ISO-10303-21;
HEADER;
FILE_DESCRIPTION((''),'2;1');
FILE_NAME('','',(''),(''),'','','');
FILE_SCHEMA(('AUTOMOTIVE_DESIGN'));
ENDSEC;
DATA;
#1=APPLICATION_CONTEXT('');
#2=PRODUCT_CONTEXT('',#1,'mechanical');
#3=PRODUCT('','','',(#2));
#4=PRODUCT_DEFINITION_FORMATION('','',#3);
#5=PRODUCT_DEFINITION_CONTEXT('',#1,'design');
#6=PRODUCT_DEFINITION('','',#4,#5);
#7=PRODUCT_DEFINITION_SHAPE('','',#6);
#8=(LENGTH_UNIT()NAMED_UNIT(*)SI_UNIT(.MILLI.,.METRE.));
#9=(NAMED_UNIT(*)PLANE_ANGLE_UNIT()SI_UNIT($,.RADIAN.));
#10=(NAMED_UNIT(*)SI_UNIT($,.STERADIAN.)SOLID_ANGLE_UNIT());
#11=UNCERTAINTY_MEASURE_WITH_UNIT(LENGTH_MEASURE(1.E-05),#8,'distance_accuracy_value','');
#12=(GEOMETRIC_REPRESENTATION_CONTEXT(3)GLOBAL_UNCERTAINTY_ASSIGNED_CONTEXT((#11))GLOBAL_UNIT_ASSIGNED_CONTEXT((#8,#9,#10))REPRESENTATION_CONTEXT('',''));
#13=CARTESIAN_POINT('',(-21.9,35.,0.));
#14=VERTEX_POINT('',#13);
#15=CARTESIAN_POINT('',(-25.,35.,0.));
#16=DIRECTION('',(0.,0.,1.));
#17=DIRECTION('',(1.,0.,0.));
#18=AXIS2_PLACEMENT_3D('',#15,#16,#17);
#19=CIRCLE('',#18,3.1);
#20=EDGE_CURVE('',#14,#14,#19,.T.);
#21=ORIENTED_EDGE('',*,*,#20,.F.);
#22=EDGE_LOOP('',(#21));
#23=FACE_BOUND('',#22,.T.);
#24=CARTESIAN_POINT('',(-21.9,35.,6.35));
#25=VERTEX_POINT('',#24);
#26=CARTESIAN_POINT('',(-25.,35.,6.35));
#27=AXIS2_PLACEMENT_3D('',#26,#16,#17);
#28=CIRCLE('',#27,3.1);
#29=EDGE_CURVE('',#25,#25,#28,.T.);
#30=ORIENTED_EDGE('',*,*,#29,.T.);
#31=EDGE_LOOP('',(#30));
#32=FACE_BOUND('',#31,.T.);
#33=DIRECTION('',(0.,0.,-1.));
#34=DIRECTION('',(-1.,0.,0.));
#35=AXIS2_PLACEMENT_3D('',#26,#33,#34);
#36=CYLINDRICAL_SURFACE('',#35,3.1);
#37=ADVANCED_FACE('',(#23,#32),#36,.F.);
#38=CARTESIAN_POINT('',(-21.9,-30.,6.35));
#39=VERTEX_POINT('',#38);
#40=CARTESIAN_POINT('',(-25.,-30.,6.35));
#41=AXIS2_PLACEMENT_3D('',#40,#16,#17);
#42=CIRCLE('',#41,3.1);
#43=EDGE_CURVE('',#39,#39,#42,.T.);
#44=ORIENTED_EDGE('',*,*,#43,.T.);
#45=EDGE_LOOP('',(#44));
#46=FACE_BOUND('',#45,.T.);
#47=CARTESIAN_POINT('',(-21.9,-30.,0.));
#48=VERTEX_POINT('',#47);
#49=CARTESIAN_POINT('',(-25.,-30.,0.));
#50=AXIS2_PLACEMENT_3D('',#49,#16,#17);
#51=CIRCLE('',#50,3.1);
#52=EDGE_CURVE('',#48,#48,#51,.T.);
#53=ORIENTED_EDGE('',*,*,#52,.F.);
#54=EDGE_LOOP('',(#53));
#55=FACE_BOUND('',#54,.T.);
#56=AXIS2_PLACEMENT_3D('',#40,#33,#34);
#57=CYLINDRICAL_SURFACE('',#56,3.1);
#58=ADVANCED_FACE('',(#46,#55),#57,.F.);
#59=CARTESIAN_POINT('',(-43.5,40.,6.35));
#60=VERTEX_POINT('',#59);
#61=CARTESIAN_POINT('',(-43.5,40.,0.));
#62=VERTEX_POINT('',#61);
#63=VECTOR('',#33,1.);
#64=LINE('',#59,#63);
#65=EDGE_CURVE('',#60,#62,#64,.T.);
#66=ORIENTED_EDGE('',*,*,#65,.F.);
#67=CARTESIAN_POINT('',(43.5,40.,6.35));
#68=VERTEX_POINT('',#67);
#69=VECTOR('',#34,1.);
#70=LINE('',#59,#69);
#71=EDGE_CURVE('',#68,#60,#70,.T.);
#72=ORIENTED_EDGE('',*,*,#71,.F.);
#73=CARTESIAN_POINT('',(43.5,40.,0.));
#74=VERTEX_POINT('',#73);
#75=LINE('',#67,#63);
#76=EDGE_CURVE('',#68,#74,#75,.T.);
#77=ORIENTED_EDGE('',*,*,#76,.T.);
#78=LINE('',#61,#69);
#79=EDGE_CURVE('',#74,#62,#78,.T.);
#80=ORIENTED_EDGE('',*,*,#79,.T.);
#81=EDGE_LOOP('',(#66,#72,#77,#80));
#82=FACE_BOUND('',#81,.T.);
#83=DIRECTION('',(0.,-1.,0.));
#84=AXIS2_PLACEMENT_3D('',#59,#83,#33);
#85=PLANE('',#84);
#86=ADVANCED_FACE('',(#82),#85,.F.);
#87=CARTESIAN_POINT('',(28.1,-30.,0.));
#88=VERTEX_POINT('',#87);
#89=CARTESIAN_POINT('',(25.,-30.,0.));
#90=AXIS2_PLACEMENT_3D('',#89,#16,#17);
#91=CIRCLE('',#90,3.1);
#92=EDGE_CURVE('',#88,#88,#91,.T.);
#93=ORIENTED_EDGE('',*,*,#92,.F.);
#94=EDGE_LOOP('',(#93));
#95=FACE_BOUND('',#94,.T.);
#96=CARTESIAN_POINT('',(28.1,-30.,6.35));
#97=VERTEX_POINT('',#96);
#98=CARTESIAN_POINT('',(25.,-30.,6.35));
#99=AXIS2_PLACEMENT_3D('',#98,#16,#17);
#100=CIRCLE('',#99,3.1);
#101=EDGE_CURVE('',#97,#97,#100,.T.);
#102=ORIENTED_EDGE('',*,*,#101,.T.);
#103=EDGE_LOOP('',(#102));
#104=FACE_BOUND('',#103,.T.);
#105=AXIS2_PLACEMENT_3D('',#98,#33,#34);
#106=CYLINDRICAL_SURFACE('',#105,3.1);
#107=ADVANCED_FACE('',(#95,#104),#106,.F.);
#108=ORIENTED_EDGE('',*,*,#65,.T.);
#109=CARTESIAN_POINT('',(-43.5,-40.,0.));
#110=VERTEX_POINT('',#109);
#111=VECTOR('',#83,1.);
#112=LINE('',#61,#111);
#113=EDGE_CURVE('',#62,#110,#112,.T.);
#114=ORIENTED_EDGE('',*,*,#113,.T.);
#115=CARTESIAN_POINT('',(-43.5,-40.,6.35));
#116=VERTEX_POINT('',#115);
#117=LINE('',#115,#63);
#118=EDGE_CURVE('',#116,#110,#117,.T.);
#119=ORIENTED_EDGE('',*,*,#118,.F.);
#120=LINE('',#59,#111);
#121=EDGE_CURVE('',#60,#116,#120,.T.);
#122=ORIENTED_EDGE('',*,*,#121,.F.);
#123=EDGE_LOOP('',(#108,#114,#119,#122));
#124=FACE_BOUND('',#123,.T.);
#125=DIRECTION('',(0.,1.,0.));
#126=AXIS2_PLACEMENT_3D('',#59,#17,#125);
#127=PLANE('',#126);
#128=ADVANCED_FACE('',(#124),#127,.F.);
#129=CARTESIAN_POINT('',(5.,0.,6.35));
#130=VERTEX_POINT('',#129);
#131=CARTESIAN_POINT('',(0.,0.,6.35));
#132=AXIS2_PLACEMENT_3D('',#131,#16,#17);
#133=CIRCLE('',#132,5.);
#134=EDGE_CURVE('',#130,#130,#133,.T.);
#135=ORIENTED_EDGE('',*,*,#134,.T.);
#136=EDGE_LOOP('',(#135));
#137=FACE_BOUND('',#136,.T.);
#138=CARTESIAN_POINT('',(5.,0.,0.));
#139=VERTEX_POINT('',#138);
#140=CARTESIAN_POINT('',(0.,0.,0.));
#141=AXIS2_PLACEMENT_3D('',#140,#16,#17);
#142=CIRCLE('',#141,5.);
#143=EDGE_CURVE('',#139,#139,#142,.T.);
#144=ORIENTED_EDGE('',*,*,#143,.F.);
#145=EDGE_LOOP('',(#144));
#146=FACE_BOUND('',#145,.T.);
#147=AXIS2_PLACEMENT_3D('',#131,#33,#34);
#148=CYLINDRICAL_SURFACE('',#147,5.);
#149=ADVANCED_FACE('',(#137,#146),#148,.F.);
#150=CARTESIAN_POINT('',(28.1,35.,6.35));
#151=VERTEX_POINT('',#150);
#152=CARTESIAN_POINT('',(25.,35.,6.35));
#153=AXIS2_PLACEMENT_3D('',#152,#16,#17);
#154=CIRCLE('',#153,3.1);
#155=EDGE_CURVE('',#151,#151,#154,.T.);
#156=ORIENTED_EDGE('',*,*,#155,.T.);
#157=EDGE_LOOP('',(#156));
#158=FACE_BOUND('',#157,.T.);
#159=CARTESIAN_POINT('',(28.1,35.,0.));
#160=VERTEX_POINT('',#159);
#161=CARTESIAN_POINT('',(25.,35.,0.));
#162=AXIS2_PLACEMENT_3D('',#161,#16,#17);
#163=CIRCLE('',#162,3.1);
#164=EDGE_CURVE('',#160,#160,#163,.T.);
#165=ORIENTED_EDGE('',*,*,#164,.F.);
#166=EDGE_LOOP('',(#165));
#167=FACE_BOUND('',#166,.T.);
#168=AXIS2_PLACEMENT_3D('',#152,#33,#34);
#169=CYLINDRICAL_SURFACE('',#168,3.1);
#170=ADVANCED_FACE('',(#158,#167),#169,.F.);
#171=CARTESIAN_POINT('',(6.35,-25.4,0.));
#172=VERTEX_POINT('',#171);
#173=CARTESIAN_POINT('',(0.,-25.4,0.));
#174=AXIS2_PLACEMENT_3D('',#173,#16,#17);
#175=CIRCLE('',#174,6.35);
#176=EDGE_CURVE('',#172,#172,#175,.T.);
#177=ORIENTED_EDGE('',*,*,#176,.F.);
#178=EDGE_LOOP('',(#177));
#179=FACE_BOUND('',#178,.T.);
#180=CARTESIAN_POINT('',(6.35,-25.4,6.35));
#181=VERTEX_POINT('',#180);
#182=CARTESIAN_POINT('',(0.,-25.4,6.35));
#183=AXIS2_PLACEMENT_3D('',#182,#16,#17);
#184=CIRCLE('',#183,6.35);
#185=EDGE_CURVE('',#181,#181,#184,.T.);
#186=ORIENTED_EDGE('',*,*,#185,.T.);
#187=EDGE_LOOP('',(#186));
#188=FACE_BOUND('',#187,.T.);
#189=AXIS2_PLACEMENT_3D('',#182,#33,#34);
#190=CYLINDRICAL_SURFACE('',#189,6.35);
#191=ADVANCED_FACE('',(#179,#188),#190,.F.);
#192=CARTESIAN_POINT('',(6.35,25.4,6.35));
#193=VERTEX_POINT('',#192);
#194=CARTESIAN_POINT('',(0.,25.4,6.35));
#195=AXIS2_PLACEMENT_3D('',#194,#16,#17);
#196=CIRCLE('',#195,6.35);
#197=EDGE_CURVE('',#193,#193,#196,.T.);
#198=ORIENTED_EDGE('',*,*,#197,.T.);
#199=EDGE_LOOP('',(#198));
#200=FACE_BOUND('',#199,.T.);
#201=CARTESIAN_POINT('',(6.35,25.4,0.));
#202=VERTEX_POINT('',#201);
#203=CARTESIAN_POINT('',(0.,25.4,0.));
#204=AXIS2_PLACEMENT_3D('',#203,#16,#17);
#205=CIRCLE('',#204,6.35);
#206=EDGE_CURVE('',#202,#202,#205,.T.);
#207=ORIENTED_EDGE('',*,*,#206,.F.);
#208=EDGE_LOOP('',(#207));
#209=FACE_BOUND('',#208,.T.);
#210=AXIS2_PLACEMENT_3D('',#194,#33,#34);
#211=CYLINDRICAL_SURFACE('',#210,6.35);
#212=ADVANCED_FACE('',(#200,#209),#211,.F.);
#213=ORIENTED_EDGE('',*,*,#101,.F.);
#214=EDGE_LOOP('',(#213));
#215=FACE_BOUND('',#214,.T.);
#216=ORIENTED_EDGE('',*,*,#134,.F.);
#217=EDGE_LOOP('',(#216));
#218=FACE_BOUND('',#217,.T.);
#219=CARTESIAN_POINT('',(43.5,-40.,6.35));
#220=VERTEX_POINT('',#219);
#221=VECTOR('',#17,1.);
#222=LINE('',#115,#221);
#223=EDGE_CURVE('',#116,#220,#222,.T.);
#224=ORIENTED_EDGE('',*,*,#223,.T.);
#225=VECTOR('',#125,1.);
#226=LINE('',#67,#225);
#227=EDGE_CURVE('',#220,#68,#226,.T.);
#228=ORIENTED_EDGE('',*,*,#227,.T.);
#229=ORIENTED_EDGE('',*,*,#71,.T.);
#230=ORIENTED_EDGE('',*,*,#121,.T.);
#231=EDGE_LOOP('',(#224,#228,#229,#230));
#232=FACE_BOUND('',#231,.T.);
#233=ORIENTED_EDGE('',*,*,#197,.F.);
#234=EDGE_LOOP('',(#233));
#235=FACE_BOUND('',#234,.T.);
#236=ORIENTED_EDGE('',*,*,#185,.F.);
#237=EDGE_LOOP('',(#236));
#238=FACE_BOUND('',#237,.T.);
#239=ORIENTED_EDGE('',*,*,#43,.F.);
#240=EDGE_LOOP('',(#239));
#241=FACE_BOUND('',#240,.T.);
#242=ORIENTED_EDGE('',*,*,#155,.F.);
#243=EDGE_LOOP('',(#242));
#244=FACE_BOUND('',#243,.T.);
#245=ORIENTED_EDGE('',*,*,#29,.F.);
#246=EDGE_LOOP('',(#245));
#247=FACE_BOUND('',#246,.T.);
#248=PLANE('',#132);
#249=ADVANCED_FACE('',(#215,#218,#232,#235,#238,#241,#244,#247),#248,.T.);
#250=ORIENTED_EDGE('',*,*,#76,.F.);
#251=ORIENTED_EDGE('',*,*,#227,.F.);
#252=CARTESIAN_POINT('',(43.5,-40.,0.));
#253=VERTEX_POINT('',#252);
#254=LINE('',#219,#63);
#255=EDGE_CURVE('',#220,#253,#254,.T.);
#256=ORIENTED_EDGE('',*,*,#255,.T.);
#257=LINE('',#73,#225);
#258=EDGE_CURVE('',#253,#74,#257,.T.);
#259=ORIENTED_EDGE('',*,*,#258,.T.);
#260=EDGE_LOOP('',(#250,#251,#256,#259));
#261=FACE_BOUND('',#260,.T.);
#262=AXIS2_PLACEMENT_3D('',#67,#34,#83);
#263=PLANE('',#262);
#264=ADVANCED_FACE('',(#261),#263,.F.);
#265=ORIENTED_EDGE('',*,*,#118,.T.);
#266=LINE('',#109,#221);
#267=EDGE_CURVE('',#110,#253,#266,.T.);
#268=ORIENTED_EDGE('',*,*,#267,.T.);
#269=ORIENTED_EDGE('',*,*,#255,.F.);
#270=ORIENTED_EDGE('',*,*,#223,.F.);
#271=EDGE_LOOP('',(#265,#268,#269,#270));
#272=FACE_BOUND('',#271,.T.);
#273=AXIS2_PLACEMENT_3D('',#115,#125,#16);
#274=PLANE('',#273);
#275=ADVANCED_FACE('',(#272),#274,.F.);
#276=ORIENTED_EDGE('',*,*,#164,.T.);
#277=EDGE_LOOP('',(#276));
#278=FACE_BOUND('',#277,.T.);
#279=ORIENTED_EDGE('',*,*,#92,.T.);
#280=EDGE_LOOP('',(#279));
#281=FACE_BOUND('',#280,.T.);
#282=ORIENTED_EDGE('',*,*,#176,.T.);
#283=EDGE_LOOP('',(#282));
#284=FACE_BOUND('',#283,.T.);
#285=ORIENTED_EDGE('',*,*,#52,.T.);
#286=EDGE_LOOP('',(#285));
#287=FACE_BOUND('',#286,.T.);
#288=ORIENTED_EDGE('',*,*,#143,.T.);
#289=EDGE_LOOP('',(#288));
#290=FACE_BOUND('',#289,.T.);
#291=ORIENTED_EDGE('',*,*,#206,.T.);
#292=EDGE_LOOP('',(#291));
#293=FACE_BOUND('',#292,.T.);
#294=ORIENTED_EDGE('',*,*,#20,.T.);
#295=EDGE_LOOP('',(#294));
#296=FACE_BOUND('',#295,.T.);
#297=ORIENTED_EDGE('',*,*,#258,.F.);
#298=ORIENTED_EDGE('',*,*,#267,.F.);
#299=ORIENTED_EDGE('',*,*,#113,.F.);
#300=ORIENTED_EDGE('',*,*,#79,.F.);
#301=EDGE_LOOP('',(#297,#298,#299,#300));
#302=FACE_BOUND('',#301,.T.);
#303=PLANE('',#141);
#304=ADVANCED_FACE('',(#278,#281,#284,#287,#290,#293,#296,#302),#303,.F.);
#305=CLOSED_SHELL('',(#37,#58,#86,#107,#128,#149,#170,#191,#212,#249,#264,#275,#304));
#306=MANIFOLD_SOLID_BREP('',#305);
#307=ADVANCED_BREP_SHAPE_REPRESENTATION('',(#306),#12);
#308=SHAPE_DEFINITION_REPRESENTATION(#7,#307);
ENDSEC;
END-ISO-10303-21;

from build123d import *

# Parameters (mm, degrees)
CROQUIS1_W              = 87
CROQUIS1_H              = 80
CROQUIS1_R              = 3.1
CROQUIS1_R_2            = 6.35
CROQUIS1_R_3            = 5
SALIENTE_EXTRUIR1_DEPTH = 6.35


with BuildPart() as part:
    # Croquis1 → Saliente-Extruir1 (new body)
    with BuildSketch(Plane.XY):
        Rectangle(CROQUIS1_W, CROQUIS1_H)
        with Locations((-25, 35)):
            Circle(CROQUIS1_R, mode=Mode.SUBTRACT)
        with Locations((25, 35)):
            Circle(CROQUIS1_R, mode=Mode.SUBTRACT)
        with Locations((0, 25.4)):
            Circle(CROQUIS1_R_2, mode=Mode.SUBTRACT)
        with Locations((0, -25.4)):
            Circle(CROQUIS1_R_2, mode=Mode.SUBTRACT)
        with Locations((-25, -30)):
            Circle(CROQUIS1_R, mode=Mode.SUBTRACT)
        with Locations((25, -30)):
            Circle(CROQUIS1_R, mode=Mode.SUBTRACT)
        Circle(CROQUIS1_R_3, mode=Mode.SUBTRACT)
    extrude(amount=SALIENTE_EXTRUIR1_DEPTH)


solid = part.part
